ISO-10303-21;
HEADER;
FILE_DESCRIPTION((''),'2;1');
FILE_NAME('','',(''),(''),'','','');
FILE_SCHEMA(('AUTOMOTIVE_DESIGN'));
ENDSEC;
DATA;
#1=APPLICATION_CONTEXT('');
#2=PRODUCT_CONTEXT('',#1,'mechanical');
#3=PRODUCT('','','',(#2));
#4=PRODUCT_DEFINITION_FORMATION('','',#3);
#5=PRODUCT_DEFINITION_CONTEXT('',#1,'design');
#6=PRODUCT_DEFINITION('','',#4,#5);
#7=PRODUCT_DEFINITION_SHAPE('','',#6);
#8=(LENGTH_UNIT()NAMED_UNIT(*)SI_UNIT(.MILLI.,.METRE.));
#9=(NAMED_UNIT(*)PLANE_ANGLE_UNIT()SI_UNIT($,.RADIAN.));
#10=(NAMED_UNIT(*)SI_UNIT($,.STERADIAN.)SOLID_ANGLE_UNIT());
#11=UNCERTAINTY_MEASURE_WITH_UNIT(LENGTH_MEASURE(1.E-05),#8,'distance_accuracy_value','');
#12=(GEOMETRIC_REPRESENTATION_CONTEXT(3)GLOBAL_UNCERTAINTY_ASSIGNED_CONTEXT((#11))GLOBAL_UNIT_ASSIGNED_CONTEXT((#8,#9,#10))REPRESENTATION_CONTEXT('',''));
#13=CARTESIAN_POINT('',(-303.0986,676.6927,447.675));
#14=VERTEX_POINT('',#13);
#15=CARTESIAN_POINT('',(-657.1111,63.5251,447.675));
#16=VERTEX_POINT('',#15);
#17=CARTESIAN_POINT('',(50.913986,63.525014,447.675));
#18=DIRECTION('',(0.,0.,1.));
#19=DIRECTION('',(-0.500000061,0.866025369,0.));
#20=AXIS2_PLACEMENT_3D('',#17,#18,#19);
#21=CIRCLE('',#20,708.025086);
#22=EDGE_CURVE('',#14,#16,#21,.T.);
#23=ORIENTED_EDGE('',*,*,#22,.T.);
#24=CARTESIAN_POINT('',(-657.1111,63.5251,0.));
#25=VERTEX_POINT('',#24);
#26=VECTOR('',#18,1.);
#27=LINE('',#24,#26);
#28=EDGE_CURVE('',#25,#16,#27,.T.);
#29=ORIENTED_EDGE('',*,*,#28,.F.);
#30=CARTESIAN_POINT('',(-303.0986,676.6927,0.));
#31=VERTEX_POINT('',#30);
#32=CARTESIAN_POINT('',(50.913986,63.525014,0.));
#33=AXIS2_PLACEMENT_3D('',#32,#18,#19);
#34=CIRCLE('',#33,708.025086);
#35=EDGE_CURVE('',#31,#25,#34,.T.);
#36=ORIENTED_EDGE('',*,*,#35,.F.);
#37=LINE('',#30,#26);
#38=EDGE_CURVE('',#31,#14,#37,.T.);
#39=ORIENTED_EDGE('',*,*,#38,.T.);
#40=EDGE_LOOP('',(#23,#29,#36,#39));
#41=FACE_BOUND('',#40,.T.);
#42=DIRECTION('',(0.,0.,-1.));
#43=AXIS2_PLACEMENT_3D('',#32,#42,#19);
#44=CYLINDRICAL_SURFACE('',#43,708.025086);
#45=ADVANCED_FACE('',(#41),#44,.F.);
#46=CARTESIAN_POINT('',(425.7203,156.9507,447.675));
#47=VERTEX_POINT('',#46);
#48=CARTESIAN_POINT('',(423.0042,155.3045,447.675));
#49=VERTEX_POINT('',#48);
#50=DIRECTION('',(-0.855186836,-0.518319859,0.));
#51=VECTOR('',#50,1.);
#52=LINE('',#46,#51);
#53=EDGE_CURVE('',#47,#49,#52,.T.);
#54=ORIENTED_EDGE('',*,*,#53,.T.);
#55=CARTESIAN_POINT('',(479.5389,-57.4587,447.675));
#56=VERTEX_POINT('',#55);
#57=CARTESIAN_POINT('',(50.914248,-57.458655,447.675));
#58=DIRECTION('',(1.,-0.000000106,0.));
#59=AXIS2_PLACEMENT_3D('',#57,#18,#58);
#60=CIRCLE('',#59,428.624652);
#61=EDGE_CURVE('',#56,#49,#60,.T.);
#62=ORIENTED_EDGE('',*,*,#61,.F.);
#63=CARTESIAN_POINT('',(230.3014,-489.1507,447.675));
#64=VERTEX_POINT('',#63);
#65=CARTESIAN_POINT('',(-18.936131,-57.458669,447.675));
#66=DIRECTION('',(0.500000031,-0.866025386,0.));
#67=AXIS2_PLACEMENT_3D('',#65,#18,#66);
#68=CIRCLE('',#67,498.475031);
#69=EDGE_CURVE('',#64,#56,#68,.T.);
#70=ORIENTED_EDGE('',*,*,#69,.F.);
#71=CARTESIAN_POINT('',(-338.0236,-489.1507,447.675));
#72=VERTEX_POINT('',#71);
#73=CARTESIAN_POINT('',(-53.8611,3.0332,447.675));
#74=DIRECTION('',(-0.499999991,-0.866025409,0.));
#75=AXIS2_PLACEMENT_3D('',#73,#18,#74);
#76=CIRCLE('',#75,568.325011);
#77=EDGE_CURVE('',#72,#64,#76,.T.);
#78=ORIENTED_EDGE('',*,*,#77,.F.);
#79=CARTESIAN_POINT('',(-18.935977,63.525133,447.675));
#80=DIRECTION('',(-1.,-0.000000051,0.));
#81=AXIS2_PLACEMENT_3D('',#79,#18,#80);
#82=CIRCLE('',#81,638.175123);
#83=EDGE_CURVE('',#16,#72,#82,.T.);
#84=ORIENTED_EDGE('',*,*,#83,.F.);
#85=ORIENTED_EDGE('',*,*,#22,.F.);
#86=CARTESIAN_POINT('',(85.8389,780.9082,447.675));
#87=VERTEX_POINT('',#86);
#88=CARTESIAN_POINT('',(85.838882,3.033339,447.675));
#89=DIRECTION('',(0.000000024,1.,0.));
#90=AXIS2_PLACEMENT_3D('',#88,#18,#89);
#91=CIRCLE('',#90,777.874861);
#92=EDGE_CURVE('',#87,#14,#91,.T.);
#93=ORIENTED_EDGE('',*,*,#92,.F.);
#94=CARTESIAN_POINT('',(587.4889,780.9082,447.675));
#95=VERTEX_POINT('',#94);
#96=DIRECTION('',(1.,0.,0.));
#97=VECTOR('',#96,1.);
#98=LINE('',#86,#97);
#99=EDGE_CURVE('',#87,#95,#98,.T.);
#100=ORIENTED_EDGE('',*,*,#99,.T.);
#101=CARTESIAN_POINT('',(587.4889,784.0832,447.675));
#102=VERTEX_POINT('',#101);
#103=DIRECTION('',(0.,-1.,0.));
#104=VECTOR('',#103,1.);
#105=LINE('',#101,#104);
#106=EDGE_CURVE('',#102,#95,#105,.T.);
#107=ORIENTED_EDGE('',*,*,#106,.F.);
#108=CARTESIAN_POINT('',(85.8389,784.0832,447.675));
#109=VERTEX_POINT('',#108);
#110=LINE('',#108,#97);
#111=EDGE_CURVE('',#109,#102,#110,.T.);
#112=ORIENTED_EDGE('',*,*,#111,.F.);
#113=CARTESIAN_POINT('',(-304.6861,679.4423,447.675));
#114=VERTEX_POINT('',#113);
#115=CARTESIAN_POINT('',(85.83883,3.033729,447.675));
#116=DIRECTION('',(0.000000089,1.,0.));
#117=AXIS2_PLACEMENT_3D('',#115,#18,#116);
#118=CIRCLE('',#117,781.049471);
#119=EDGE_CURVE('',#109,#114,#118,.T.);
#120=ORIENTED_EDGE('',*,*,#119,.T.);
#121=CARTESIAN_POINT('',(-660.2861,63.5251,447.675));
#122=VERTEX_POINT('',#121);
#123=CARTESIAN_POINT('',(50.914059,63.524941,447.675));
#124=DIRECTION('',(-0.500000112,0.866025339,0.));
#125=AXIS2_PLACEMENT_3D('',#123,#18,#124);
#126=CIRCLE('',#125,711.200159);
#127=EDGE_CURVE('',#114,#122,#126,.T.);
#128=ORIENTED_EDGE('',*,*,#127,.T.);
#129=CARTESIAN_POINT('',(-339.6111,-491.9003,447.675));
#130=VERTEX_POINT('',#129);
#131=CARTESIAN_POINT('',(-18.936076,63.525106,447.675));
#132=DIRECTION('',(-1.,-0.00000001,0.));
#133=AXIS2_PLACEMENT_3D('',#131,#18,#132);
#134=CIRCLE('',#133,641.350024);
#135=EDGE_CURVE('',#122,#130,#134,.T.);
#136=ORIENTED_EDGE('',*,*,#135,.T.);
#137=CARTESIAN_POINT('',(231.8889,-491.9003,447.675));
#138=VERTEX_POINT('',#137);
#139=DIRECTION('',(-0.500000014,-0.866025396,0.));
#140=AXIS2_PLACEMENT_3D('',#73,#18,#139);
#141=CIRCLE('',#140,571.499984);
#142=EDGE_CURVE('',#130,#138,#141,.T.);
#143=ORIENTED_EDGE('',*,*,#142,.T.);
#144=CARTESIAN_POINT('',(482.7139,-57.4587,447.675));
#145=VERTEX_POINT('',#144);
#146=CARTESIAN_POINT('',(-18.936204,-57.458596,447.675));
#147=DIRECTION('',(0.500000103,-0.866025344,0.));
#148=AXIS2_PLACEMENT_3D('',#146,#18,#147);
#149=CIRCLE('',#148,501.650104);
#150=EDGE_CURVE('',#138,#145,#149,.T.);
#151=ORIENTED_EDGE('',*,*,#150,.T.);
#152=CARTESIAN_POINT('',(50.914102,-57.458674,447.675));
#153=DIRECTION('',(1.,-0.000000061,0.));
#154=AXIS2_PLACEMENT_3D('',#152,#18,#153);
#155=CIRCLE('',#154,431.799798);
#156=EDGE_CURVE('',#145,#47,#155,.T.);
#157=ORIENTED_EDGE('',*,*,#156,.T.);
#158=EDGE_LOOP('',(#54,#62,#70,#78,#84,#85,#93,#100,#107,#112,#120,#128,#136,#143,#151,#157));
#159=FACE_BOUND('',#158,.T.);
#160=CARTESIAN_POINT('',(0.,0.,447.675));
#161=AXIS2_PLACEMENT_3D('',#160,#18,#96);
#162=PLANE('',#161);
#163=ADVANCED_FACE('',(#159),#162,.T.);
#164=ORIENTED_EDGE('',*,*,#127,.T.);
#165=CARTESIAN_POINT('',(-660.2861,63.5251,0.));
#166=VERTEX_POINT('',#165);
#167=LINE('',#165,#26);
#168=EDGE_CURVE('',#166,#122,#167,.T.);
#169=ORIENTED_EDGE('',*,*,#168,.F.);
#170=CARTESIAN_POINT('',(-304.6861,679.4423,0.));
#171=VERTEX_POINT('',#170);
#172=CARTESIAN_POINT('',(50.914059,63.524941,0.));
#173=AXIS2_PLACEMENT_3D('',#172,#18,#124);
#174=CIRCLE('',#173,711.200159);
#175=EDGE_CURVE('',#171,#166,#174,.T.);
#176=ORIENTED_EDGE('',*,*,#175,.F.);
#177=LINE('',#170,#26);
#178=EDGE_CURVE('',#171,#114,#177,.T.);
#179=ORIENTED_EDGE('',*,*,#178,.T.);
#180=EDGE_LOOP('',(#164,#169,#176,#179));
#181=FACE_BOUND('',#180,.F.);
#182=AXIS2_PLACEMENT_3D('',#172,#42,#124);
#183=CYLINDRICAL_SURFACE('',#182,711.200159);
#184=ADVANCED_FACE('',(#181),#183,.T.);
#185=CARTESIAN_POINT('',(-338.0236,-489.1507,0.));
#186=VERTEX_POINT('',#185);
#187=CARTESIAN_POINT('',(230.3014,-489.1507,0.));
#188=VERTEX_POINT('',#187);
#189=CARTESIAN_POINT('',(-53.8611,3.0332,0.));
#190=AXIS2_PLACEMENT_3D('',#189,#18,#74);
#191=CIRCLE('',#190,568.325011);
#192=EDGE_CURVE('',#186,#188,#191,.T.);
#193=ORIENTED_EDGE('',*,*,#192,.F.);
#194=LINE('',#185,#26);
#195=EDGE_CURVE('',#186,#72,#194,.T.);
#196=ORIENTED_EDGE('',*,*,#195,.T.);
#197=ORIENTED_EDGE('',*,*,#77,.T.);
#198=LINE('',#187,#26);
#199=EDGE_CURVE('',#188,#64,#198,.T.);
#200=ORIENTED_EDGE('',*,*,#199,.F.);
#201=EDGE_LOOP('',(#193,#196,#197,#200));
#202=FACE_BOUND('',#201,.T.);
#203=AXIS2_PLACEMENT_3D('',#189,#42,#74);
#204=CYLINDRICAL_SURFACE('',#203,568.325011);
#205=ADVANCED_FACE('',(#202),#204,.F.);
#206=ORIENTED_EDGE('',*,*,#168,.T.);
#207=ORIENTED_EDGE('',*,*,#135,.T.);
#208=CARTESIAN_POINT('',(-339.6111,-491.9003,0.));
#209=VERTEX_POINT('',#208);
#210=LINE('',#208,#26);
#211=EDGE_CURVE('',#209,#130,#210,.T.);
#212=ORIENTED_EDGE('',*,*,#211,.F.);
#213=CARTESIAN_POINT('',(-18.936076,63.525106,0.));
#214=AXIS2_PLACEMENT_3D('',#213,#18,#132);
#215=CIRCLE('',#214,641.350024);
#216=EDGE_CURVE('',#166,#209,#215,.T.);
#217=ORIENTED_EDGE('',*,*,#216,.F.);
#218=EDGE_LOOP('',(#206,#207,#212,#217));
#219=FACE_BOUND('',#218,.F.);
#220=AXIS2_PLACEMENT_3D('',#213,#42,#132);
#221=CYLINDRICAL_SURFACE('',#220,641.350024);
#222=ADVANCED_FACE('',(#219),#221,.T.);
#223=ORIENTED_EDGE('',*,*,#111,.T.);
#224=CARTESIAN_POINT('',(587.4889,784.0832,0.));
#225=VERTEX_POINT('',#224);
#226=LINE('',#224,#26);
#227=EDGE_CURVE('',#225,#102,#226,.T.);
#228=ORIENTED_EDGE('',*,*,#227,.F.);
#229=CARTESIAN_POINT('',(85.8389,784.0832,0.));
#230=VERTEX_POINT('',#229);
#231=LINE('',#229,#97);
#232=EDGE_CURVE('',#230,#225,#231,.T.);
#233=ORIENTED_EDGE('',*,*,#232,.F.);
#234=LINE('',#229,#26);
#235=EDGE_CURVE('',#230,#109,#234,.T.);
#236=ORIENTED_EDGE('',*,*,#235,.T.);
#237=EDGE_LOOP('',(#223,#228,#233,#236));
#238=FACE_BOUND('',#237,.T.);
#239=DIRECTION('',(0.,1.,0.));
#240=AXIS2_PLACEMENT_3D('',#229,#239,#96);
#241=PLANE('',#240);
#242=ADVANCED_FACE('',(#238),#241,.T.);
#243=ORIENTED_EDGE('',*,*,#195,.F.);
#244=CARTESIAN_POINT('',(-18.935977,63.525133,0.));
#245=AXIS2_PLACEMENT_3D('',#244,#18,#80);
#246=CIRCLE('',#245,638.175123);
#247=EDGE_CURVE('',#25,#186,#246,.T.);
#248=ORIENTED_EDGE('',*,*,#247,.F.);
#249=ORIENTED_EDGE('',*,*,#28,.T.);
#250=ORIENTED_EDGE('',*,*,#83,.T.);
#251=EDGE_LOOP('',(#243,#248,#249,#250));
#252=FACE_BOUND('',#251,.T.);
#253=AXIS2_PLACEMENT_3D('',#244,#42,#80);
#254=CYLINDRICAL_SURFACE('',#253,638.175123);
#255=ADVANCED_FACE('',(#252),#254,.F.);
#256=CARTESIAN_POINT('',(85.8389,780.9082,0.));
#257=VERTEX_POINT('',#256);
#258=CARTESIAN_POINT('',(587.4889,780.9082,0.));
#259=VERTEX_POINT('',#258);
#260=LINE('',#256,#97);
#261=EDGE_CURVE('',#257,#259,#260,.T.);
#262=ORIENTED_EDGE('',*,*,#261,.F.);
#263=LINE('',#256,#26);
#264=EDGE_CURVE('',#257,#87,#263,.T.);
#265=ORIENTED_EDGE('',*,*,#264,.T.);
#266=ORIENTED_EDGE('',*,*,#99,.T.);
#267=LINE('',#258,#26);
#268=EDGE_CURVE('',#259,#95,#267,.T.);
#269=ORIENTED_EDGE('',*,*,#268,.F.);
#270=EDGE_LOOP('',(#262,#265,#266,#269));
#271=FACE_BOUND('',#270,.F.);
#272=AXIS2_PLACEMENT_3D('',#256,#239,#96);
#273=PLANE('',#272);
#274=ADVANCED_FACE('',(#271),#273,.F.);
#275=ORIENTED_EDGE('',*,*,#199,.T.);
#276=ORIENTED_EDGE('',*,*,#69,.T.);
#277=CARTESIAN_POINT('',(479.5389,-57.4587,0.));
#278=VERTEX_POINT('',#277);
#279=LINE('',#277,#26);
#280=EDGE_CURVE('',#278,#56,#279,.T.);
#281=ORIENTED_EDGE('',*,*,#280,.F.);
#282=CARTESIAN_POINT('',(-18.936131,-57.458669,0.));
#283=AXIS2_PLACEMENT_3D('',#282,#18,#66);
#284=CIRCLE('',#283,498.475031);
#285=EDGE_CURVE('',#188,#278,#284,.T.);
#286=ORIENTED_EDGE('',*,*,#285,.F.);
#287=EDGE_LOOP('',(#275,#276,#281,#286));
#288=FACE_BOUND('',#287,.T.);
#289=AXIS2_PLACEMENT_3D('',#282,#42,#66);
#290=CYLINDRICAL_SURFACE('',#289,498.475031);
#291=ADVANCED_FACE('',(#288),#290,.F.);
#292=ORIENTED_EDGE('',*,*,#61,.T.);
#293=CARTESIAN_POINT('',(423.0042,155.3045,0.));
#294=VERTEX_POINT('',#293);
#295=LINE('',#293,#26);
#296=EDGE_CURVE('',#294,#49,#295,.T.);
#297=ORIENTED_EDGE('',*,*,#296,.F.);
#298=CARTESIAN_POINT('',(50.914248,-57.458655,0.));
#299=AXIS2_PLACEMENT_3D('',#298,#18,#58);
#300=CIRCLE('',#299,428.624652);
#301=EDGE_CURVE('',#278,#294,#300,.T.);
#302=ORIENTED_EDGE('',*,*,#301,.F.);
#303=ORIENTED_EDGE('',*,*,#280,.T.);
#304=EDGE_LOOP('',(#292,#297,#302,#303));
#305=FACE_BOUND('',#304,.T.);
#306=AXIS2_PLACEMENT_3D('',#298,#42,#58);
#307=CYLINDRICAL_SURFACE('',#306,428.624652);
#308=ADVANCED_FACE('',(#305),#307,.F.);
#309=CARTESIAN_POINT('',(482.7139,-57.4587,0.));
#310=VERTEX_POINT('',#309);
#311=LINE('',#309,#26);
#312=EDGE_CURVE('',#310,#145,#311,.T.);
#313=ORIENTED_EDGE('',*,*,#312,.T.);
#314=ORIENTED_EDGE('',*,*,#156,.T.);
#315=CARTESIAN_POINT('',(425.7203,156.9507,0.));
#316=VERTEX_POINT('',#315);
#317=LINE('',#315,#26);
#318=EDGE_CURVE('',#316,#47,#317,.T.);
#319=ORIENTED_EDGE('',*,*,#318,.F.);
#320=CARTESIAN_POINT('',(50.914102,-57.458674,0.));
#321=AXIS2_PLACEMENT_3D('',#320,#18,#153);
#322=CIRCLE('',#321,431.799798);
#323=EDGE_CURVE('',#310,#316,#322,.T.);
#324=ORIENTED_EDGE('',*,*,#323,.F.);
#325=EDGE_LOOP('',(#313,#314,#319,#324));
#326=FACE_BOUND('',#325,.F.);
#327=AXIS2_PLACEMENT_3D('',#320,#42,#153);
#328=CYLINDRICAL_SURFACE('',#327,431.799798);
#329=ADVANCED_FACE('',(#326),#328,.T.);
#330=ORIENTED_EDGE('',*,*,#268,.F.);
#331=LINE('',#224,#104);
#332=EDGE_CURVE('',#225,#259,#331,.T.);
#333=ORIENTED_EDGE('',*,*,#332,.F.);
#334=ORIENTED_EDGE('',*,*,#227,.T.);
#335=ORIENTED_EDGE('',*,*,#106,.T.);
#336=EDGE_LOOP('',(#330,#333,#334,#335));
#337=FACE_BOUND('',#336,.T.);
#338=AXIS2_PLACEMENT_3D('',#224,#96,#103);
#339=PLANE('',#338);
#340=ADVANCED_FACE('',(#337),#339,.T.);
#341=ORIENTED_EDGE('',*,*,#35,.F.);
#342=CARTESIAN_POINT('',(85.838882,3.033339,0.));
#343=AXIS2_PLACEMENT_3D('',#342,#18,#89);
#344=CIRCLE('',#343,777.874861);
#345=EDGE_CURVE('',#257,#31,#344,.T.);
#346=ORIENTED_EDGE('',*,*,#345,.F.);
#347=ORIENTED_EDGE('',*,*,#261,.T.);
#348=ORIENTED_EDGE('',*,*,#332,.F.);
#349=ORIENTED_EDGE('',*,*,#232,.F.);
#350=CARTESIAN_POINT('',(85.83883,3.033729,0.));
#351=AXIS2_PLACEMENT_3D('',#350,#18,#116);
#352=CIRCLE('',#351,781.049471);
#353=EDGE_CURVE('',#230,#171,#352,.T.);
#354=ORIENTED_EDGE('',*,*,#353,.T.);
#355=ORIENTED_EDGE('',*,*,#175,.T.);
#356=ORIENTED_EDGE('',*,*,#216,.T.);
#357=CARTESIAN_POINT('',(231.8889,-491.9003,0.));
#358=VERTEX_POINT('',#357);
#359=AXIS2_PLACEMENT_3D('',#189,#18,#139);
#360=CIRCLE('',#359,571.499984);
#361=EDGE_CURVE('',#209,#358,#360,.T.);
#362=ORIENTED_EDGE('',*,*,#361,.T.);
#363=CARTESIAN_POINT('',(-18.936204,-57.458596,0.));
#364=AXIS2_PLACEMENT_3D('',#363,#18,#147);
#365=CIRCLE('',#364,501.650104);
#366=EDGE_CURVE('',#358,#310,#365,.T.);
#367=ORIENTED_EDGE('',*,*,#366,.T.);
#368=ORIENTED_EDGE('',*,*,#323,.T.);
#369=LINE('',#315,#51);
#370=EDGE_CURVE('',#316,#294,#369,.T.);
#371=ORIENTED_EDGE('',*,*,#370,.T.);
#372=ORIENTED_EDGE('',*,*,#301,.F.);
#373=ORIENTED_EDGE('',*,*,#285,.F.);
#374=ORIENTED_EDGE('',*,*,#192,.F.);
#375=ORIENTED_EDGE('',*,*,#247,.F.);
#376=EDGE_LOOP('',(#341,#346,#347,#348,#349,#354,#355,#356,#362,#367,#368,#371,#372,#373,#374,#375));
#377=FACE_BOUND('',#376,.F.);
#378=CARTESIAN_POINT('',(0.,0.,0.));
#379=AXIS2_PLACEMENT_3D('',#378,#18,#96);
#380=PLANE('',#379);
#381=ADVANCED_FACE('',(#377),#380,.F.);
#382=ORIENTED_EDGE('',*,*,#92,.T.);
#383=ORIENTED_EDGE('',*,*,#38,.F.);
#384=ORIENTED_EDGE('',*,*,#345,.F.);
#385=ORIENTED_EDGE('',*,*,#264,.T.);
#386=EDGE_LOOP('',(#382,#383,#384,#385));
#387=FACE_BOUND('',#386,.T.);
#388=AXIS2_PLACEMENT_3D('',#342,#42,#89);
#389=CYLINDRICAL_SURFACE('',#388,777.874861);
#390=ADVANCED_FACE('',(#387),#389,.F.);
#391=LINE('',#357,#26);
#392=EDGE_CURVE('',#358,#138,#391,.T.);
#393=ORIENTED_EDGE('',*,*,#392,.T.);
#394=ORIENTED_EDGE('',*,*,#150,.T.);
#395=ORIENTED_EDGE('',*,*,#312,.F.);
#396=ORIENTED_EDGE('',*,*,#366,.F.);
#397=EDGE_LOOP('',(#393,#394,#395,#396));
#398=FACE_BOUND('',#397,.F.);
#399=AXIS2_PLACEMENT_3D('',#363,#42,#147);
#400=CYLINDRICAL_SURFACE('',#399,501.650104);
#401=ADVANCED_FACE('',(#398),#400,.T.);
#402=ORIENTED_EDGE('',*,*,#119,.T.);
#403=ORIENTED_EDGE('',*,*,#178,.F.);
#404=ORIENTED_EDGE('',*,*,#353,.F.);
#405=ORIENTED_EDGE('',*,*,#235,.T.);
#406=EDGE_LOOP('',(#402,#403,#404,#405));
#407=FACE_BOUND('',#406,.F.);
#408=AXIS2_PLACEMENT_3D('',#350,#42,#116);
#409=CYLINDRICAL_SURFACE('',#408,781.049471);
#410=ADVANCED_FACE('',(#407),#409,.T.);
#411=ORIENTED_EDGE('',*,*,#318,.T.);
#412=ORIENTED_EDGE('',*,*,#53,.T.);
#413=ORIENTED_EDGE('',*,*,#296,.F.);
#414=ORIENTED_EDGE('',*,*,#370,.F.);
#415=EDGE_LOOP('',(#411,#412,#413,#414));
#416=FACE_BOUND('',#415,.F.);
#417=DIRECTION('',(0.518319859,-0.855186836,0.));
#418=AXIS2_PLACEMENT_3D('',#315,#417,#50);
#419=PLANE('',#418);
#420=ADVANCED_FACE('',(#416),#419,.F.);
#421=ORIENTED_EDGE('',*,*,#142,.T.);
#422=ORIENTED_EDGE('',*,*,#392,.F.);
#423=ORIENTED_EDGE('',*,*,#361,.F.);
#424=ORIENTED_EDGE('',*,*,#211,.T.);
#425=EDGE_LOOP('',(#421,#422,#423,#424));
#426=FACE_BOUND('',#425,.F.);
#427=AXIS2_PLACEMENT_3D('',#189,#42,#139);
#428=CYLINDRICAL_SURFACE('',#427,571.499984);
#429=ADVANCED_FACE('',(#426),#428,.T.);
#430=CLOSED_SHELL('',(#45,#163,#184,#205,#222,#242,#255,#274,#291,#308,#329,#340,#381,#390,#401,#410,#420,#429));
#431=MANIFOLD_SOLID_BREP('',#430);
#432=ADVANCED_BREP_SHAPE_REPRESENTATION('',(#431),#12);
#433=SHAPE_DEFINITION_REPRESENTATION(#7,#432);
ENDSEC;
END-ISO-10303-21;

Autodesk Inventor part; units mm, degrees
ref_plane "YZ Plane" through (0, 0, 0) normal (1, 0, 0) x (0, 1, 0)
ref_plane "XZ Plane" through (0, 0, 0) normal (0, 1, 0) x (-1, 0, 0)
ref_plane "XY Plane" through (0, 0, 0) normal (0, 0, 1) x (1, 0, 0)
sketch "Sketch1" plane through (0, 0, 0) normal (0, 0, 1) x (1, 0, 0)
  circle A0 centre (15.9889, 3.0332) radius 69.85 construction
  line L0 (85.8389, 3.0332) -> (50.9139, -57.4587) construction
  line L1 (50.9139, -57.4587) -> (-18.9361, -57.4587) construction
  line L2 (-18.9361, -57.4587) -> (-53.8611, 3.0332) construction
  line L3 (-53.8611, 3.0332) -> (-18.9361, 63.5251) construction
  line L4 (-18.9361, 63.5251) -> (50.9139, 63.5251) construction
  line L5 (50.9139, 63.5251) -> (85.8389, 3.0332) construction
  line L6 (85.8389, 3.0332) -> (85.8389, 780.9082) construction
  line L7 (85.8389, 3.0332) -> (85.8389, 3.0332) construction
  line L8 (-53.8611, 3.0332) -> (85.8389, 3.0332) construction
  arc A1 (85.8389, 780.9082) -> (-303.0986, 676.6927) centre (85.8389, 3.0332) ccw
  arc A2 (-303.0986, 676.6927) -> (-657.1111, 63.5251) centre (50.9139, 63.5251) ccw
  arc A3 (-657.1111, 63.5251) -> (-338.0236, -489.1507) centre (-18.9361, 63.5251) ccw
  arc A4 (-338.0236, -489.1507) -> (230.3014, -489.1507) centre (-53.8611, 3.0332) ccw
  arc A5 (230.3014, -489.1507) -> (479.5389, -57.4587) centre (-18.9361, -57.4587) ccw
  line L9 (85.8389, 780.9082) -> (587.4889, 780.9082)
  circle A6 centre (435.5017, 175.6262) radius 21.082 construction
  line L10 (50.9139, -57.4587) -> (435.5017, 175.6262) construction
  line L11 (85.8389, 784.0832) -> (587.4889, 784.0832)
  arc A7 (85.8389, 784.0832) -> (-304.6861, 679.4423) centre (85.8389, 3.0332) ccw
  arc A8 (-304.6861, 679.4423) -> (-660.2861, 63.5251) centre (50.9139, 63.5251) ccw
  arc A9 (-660.2861, 63.5251) -> (-339.6111, -491.9003) centre (-18.9361, 63.5251) ccw
  arc A10 (-339.6111, -491.9003) -> (231.8889, -491.9003) centre (-53.8611, 3.0332) ccw
  arc A11 (231.8889, -491.9003) -> (482.7139, -57.4587) centre (-18.9361, -57.4587) ccw
  line L12 (587.4889, 784.0832) -> (587.4889, 780.9082)
  line L13 (15.9889, 72.8832) -> (15.9889, -66.8168) construction
  line L14 (425.7203, 156.9507) -> (423.0042, 155.3045)
  arc A12 (482.7139, -57.4587) -> (425.7203, 156.9507) centre (50.9139, -57.4587) ccw
  arc A13 (479.5389, -57.4587) -> (423.0042, 155.3045) centre (50.9139, -57.4587) ccw
  arc A14 (423.0042, 155.3045) -> (417.4725, 164.6993) centre (50.9139, -57.4587) ccw construction
  dimension "d2" = 42.164
  dimension "d1" = 777.875
  dimension "d3" = 172.593
  dimension "d5" = 449.707
  dimension "d6" = 3.175
  dimension "d8" = 571.5
  dimension "d9" = 428.625
extrude "Extrusion1" add sketch "Sketch1" along normal blind 447.675
ref_plane "Work Plane1" through (587.4889, 784.0832, 223.8375) normal (0, 0, 1) x (1, 0, 0)
equation "\"d5\" = d4 + 0.5 * d2"
equation "\"BendRadius\" = Thickness"
equation "\"BendReliefWidth\" = Thickness"
equation "\"BendReliefDepth\" = 0.5 * Thickness"
equation "\"CornerReliefSize\" = 4 * Thickness"
equation "\"MinimumRemnant\" = 2 * Thickness"
equation "\"TransitionRadius\" = BendRadius"
equation "\"JacobiRadiusSize\" = Thickness"
equation "\"GapSize\" = Thickness"
equation "\"d4\" = 428.625"
equation "\"Thickness\" = 3.175"
properties part number "band" material "Steel, Mild"
